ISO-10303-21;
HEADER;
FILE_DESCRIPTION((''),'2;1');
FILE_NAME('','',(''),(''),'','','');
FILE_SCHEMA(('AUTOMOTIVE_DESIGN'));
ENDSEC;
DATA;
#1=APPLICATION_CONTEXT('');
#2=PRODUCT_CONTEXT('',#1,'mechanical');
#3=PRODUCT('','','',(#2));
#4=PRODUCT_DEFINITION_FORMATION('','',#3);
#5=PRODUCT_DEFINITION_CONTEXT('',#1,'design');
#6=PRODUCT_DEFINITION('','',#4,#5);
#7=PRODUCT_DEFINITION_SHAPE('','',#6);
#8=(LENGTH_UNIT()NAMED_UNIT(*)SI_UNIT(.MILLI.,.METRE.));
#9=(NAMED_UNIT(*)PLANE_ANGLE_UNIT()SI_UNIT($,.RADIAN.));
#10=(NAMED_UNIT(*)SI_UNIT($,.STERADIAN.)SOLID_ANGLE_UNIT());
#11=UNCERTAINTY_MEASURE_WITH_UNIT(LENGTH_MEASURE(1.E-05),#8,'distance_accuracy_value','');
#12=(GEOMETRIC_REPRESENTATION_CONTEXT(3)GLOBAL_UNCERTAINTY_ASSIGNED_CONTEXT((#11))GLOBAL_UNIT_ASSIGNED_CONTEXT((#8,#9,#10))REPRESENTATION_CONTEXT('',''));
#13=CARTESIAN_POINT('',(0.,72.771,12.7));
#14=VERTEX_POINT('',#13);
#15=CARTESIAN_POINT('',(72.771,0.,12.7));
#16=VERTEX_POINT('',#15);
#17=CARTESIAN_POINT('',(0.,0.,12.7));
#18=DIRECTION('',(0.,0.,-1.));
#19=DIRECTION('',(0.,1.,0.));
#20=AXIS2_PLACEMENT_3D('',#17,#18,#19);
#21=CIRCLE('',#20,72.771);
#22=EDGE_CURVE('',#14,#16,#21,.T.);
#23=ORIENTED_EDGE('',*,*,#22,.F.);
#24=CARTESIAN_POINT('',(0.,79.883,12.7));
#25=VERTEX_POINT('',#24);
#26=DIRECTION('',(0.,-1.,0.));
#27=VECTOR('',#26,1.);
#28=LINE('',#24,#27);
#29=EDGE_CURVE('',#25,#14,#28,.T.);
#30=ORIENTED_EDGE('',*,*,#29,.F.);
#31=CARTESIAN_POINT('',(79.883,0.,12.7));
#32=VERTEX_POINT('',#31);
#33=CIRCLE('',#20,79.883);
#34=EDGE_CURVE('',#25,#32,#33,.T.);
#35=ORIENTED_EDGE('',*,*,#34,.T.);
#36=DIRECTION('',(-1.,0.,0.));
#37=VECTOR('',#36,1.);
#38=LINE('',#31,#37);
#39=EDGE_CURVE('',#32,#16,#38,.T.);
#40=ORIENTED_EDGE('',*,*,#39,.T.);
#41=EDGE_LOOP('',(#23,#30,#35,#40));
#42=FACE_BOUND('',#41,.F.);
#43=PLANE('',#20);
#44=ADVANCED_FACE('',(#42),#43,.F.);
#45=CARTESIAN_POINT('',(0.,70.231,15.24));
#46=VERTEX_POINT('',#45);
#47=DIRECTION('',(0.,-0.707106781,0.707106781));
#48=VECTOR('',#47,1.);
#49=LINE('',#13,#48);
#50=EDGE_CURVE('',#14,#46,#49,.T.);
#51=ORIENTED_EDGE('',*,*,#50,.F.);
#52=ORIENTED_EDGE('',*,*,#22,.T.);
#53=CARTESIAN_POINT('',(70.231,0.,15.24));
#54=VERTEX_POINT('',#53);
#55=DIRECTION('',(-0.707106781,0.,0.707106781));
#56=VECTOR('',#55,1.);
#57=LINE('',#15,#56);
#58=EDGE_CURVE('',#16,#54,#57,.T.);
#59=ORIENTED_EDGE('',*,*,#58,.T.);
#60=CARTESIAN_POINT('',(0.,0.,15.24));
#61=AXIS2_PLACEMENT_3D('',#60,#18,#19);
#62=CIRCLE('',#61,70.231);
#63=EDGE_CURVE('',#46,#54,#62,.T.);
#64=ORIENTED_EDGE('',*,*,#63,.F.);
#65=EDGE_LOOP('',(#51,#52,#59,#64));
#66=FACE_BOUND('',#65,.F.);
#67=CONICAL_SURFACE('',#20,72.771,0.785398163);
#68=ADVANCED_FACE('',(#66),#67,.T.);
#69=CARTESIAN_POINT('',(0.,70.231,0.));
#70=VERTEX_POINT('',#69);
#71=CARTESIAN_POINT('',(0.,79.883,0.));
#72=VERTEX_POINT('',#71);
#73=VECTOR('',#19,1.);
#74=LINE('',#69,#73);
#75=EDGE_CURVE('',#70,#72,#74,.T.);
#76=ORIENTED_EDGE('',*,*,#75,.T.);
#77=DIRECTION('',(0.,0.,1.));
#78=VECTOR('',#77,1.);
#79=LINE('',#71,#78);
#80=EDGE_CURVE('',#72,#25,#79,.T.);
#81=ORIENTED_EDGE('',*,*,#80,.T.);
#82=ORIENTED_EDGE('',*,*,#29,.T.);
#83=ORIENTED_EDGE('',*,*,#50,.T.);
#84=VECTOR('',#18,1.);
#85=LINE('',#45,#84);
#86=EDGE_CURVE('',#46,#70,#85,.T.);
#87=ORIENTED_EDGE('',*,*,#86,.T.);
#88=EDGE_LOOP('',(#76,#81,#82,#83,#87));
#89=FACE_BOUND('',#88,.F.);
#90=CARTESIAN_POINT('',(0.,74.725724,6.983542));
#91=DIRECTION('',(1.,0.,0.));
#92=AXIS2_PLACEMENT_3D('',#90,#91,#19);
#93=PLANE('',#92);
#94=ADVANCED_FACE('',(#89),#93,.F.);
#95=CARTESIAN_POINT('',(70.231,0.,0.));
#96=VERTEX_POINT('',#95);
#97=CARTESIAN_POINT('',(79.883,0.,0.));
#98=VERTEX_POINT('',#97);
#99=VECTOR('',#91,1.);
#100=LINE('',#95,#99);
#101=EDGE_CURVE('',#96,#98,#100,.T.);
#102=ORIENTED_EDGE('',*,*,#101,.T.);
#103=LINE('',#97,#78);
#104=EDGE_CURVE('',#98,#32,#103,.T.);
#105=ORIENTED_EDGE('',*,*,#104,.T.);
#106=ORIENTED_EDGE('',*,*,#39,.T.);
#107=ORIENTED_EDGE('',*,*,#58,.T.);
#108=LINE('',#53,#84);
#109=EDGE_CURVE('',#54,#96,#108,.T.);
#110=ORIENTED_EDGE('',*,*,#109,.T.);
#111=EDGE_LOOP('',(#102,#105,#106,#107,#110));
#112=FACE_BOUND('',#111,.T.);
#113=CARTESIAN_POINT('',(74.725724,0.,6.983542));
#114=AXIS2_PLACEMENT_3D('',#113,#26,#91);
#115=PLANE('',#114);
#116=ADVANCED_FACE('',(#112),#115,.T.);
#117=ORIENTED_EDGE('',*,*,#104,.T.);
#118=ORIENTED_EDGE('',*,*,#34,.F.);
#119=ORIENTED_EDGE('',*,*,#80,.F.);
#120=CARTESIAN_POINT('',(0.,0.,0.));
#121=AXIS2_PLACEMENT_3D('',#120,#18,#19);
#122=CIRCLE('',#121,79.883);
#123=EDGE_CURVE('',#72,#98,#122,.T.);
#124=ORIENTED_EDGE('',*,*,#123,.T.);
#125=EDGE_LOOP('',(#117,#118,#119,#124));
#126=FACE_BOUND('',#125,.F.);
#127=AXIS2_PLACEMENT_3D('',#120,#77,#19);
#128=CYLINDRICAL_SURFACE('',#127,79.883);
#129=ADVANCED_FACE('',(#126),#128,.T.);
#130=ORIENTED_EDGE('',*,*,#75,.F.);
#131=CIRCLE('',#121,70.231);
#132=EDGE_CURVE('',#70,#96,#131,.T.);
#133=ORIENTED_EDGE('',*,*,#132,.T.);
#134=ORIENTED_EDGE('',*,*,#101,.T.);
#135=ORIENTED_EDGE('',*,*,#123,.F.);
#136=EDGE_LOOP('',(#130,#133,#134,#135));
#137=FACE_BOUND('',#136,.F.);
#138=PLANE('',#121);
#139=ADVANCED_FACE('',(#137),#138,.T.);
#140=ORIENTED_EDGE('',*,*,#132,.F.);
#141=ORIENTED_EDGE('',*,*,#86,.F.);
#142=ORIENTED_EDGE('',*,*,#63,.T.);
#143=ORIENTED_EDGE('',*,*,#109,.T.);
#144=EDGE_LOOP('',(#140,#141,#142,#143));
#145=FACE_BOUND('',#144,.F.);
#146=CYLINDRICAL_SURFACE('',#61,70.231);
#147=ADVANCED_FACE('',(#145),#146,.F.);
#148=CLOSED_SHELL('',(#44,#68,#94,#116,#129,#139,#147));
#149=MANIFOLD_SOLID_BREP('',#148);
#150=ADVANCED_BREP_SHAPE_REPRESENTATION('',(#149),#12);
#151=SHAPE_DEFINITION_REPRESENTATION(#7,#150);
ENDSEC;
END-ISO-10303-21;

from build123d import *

# Parameters (mm, degrees)
F1_ANGLE = 90


with BuildPart() as f1:
    # F0 (on Right) → F1 (revolve)
    with BuildSketch(Plane.YZ):
        Polygon((70.231, 15.24), (70.231, 0), (79.883, 0), (79.883, 12.7), (72.771, 12.7), align=None)
    revolve(axis=Axis((0, 0, 5.783735), (0, 0, -1)), revolution_arc=F1_ANGLE)


solid = f1.part
